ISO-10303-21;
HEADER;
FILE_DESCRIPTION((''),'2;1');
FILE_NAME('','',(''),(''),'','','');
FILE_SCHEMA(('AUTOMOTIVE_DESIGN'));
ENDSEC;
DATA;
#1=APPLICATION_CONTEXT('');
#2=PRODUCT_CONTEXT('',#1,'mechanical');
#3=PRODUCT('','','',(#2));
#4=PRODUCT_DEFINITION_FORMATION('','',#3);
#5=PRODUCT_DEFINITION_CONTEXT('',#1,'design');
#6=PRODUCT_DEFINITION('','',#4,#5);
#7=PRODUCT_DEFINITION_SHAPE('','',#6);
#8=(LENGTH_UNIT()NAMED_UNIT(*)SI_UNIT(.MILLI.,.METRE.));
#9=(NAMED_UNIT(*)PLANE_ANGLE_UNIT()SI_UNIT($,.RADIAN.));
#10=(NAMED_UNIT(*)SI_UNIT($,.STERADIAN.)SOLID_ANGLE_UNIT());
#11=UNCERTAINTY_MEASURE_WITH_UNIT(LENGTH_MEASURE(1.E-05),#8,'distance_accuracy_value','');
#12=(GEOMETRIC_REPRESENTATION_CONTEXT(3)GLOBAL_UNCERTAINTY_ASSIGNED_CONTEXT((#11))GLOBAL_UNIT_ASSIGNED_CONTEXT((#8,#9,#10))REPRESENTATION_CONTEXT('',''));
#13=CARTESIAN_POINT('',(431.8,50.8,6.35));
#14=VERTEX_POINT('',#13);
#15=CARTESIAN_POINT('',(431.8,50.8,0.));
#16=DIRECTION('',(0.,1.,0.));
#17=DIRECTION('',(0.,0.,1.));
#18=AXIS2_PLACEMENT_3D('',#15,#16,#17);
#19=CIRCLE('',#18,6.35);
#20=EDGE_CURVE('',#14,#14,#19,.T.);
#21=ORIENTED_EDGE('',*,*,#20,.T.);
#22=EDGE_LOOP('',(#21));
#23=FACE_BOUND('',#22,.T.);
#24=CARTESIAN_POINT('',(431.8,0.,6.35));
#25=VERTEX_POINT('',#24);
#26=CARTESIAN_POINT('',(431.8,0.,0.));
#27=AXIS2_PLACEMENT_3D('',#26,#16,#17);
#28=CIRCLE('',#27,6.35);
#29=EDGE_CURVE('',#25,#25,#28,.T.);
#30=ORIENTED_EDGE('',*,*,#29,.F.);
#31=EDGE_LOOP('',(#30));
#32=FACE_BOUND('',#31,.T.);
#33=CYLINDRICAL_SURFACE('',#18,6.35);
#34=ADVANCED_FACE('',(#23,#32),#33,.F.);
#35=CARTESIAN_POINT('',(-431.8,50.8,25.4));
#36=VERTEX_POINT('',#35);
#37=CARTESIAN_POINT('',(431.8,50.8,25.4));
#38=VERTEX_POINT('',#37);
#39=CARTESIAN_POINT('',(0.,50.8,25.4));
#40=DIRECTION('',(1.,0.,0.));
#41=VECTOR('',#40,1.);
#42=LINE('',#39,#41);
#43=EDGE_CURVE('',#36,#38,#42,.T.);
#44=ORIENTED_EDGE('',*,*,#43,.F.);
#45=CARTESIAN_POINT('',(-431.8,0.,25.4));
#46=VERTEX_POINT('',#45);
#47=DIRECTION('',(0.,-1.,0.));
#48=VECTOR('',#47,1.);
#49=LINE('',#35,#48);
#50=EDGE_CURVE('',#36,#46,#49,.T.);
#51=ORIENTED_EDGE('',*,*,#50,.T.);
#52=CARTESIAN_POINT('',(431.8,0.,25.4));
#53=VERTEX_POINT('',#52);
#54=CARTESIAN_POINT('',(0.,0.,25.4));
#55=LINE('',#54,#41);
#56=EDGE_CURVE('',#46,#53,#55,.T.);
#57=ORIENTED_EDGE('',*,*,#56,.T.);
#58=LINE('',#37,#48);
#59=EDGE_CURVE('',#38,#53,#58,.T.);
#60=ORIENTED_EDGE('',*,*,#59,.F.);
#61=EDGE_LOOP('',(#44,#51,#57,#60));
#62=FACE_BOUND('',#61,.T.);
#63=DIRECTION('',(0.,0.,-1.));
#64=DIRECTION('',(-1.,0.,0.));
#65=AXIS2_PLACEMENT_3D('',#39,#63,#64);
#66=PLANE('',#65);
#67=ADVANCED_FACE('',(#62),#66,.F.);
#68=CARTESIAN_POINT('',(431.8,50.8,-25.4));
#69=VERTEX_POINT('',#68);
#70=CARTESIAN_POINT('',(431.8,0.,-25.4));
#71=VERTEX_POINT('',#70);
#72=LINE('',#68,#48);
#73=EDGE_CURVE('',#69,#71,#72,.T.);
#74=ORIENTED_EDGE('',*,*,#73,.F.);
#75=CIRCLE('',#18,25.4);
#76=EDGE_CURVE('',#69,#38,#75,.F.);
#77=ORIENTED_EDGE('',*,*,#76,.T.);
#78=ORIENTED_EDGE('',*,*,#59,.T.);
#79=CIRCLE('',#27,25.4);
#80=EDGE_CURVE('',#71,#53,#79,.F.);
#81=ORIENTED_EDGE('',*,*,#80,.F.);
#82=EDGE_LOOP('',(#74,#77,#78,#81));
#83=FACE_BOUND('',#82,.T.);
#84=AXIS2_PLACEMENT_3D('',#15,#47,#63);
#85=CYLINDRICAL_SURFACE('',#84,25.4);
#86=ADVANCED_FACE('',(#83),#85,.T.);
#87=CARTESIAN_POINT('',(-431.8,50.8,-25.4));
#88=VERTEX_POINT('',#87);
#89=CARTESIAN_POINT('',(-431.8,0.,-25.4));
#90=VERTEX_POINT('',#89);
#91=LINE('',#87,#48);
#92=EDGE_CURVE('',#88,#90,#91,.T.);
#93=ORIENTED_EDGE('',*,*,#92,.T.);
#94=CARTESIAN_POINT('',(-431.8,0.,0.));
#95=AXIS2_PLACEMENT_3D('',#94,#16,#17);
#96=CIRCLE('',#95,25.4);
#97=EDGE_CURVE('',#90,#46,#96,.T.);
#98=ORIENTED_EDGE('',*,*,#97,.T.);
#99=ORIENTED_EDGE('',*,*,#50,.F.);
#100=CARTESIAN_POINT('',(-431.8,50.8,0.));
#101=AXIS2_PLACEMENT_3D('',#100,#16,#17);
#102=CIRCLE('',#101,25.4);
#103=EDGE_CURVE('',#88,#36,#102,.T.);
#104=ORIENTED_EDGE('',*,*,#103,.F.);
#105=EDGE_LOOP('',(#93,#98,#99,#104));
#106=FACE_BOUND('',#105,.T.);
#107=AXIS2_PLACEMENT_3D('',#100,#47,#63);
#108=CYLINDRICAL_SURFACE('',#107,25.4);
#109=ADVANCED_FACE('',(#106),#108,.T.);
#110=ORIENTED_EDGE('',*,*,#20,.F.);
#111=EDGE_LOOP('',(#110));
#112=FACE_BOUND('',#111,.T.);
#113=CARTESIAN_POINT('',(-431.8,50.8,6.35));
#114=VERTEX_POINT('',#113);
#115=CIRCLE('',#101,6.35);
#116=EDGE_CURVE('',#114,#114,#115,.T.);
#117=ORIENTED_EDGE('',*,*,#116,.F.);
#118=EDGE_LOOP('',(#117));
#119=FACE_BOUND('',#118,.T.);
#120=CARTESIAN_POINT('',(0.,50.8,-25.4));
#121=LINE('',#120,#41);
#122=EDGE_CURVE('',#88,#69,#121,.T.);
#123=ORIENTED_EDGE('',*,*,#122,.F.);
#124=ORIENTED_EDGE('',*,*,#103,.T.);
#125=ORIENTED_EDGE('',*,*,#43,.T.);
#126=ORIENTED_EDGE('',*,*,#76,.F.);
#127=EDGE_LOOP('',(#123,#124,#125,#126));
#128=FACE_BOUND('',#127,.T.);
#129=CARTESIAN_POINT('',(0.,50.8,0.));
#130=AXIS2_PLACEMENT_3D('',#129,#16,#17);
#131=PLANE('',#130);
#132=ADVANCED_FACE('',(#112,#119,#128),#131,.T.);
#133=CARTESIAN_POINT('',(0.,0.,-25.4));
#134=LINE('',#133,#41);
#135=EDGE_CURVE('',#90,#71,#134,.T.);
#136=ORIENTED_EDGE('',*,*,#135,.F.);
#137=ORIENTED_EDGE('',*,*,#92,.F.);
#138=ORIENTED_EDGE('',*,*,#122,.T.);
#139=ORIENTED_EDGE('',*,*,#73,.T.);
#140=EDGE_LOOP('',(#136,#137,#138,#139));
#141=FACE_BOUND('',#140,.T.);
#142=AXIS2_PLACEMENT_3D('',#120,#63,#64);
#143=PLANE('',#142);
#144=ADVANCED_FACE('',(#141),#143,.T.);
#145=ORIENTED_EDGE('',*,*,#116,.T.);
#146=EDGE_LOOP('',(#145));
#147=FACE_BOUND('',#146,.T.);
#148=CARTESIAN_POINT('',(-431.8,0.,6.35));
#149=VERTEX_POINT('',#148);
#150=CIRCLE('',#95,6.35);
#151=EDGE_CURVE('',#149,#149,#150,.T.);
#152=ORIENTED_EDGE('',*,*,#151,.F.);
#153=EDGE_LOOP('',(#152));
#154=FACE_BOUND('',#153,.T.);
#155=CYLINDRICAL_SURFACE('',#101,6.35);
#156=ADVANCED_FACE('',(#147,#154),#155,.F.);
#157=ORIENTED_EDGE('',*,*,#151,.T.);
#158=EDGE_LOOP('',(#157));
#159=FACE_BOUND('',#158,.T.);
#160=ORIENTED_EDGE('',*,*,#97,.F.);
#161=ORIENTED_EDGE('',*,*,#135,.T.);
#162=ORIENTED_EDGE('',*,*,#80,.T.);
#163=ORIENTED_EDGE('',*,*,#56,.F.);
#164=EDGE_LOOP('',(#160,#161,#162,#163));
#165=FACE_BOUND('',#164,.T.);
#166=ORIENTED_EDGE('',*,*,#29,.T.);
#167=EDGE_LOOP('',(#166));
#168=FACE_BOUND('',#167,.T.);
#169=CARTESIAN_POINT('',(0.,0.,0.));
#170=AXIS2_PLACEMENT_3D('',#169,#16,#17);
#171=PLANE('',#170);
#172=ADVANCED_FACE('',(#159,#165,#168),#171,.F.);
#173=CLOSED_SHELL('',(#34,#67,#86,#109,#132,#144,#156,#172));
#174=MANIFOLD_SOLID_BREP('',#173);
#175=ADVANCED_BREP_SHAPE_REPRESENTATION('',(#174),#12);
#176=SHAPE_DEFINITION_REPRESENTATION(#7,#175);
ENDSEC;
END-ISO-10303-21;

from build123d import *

# Parameters (mm, degrees)
SKETCH1_W                  = 863.6
SKETCH1_H                  = 50.8
BOSS_EXTRUDE2_DEPTH        = 50.8
F_1_2_0_5_DIAMETER_HOLE1_D = 12.7


with BuildPart() as part:
    # Sketch1 → Boss-Extrude2 (new body)
    with BuildSketch(Plane(origin=(0, 0, 0), x_dir=(1, 0, 0), z_dir=(0, 1, 0))):
        with BuildLine():
            Line((-431.8, -25.4), (-431.8, 25.4))
            ThreePointArc((-431.8, 25.4), (-457.2, 0), (-431.8, -25.4))
        make_face()
        Rectangle(SKETCH1_W, SKETCH1_H)
        with BuildLine():
            ThreePointArc((431.8, 25.4), (457.2, 0), (431.8, -25.4))
            Line((431.8, -25.4), (431.8, 25.4))
        make_face()
    extrude(amount=BOSS_EXTRUDE2_DEPTH)

    # 1/2 (0.5) Diameter Hole1 (through all)
    with Locations(Plane(origin=(0, 50.8, 0), x_dir=(1, 0, 0), z_dir=(0, 1, 0))):
        with Locations((431.8, 0), (-431.8, 0)):
            Hole(F_1_2_0_5_DIAMETER_HOLE1_D / 2)


solid = part.part
